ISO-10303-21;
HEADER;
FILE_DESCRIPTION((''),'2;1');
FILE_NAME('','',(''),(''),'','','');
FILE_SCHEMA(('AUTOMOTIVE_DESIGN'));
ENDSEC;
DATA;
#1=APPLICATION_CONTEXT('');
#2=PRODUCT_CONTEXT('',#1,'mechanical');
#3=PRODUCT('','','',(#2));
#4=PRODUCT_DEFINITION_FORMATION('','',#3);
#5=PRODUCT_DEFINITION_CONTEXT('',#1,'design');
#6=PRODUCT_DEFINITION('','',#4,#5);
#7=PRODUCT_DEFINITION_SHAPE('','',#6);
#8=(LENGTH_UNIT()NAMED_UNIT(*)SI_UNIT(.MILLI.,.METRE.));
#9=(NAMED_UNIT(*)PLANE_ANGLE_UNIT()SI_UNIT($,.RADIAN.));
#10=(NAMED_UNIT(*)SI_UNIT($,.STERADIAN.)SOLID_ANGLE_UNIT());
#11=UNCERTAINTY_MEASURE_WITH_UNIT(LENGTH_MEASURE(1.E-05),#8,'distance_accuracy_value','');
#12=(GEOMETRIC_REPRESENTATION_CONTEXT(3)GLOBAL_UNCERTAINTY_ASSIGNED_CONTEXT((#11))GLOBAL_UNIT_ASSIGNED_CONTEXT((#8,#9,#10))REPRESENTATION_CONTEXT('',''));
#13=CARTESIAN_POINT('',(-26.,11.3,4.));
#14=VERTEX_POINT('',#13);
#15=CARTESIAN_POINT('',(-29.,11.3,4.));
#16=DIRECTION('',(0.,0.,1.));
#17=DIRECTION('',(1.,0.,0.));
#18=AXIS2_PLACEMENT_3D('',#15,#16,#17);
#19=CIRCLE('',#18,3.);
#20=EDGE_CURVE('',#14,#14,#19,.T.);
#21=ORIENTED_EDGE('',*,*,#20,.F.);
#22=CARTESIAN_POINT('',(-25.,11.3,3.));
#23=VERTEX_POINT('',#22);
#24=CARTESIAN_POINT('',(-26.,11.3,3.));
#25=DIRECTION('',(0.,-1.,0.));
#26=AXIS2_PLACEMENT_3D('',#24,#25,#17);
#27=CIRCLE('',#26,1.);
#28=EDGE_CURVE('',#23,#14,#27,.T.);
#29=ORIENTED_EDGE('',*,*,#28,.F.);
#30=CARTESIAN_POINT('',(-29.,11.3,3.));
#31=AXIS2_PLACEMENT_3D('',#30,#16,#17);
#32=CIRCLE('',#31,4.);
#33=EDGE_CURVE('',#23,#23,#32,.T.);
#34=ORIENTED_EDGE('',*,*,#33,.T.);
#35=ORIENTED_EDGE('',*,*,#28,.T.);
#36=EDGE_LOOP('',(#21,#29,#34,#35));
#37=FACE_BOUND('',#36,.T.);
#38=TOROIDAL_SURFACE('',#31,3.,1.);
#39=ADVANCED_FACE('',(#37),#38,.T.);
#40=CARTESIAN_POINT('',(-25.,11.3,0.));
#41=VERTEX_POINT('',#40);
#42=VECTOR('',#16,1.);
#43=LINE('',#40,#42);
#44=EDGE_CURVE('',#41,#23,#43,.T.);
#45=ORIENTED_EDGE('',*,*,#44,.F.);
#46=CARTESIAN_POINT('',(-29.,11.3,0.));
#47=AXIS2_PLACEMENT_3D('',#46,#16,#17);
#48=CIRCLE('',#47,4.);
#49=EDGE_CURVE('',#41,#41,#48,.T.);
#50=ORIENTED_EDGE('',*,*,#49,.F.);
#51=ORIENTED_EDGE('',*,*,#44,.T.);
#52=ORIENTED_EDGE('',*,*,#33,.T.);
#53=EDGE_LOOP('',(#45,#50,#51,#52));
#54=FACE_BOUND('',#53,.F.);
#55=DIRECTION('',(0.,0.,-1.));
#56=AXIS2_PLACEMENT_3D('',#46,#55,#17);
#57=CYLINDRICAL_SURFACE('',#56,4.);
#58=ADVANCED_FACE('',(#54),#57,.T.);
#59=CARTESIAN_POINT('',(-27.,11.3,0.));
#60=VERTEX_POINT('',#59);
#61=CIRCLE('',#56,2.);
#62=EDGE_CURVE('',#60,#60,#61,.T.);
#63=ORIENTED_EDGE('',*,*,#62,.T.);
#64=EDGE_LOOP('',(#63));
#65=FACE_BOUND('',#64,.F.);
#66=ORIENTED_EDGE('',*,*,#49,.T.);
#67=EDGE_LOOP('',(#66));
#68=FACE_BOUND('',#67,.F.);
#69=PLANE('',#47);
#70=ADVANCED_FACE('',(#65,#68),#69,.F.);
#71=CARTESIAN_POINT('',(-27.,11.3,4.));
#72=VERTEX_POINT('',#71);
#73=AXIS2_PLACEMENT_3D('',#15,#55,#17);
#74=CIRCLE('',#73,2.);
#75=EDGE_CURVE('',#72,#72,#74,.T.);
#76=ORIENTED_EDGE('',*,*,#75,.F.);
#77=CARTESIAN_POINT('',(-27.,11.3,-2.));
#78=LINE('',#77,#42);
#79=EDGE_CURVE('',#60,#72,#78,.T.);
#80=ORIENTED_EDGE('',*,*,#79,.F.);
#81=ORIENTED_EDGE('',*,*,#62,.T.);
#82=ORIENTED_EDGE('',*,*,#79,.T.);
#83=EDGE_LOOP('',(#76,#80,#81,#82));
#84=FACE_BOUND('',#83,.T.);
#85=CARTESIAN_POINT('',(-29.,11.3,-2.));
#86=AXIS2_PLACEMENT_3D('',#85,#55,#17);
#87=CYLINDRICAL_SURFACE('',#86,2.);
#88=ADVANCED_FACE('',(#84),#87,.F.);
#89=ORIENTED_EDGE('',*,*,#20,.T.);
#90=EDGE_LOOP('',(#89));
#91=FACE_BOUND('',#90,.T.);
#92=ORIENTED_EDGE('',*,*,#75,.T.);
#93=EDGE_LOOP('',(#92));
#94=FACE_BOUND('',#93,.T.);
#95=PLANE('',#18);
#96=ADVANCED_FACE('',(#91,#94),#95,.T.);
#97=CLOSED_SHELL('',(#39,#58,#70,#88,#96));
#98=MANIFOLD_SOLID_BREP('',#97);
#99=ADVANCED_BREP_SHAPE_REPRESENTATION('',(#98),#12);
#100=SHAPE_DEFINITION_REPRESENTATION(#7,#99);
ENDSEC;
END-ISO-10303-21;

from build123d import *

# Parameters (mm, degrees)
CYLINDER001_R     = 2
CYLINDER001_DEPTH = 10
CYLINDER_R        = 4
CYLINDER_DEPTH    = 4
FILLET_R          = 1


with BuildPart() as cilindro001:
    # Cylinder001 → Cylinder001 (new body)
    with BuildSketch(Plane(origin=(-35, 16, -2), x_dir=(1, 0, 0), z_dir=(0, 0, 1))):
        Circle(CYLINDER001_R)
    extrude(amount=CYLINDER001_DEPTH)


with BuildPart() as aro:
    # Cylinder → Cylinder (new body)
    with BuildSketch(Plane(origin=(-35, 16, 0), x_dir=(1, 0, 0), z_dir=(0, 0, 1))):
        Circle(CYLINDER_R)
    extrude(amount=CYLINDER_DEPTH)

    # Cut001: cut Cilindro001
    add(cilindro001.part, mode=Mode.SUBTRACT)


with BuildPart() as aro_1:
    # Cut001 placement: moved
    add(aro.part.moved(Location((0, 1.3, 0))))

    # Fillet
    fillet_edges = [aro_1.edges().sort_by_distance(p)[0] for p in [
        (-39, 17.3, 4),
    ]]
    fillet(fillet_edges, radius=FILLET_R)


with BuildPart() as aro_2:
    # Fillet placement: moved
    add(aro_1.part.moved(Location((6, -6, 0))))


solid = aro_2.part
